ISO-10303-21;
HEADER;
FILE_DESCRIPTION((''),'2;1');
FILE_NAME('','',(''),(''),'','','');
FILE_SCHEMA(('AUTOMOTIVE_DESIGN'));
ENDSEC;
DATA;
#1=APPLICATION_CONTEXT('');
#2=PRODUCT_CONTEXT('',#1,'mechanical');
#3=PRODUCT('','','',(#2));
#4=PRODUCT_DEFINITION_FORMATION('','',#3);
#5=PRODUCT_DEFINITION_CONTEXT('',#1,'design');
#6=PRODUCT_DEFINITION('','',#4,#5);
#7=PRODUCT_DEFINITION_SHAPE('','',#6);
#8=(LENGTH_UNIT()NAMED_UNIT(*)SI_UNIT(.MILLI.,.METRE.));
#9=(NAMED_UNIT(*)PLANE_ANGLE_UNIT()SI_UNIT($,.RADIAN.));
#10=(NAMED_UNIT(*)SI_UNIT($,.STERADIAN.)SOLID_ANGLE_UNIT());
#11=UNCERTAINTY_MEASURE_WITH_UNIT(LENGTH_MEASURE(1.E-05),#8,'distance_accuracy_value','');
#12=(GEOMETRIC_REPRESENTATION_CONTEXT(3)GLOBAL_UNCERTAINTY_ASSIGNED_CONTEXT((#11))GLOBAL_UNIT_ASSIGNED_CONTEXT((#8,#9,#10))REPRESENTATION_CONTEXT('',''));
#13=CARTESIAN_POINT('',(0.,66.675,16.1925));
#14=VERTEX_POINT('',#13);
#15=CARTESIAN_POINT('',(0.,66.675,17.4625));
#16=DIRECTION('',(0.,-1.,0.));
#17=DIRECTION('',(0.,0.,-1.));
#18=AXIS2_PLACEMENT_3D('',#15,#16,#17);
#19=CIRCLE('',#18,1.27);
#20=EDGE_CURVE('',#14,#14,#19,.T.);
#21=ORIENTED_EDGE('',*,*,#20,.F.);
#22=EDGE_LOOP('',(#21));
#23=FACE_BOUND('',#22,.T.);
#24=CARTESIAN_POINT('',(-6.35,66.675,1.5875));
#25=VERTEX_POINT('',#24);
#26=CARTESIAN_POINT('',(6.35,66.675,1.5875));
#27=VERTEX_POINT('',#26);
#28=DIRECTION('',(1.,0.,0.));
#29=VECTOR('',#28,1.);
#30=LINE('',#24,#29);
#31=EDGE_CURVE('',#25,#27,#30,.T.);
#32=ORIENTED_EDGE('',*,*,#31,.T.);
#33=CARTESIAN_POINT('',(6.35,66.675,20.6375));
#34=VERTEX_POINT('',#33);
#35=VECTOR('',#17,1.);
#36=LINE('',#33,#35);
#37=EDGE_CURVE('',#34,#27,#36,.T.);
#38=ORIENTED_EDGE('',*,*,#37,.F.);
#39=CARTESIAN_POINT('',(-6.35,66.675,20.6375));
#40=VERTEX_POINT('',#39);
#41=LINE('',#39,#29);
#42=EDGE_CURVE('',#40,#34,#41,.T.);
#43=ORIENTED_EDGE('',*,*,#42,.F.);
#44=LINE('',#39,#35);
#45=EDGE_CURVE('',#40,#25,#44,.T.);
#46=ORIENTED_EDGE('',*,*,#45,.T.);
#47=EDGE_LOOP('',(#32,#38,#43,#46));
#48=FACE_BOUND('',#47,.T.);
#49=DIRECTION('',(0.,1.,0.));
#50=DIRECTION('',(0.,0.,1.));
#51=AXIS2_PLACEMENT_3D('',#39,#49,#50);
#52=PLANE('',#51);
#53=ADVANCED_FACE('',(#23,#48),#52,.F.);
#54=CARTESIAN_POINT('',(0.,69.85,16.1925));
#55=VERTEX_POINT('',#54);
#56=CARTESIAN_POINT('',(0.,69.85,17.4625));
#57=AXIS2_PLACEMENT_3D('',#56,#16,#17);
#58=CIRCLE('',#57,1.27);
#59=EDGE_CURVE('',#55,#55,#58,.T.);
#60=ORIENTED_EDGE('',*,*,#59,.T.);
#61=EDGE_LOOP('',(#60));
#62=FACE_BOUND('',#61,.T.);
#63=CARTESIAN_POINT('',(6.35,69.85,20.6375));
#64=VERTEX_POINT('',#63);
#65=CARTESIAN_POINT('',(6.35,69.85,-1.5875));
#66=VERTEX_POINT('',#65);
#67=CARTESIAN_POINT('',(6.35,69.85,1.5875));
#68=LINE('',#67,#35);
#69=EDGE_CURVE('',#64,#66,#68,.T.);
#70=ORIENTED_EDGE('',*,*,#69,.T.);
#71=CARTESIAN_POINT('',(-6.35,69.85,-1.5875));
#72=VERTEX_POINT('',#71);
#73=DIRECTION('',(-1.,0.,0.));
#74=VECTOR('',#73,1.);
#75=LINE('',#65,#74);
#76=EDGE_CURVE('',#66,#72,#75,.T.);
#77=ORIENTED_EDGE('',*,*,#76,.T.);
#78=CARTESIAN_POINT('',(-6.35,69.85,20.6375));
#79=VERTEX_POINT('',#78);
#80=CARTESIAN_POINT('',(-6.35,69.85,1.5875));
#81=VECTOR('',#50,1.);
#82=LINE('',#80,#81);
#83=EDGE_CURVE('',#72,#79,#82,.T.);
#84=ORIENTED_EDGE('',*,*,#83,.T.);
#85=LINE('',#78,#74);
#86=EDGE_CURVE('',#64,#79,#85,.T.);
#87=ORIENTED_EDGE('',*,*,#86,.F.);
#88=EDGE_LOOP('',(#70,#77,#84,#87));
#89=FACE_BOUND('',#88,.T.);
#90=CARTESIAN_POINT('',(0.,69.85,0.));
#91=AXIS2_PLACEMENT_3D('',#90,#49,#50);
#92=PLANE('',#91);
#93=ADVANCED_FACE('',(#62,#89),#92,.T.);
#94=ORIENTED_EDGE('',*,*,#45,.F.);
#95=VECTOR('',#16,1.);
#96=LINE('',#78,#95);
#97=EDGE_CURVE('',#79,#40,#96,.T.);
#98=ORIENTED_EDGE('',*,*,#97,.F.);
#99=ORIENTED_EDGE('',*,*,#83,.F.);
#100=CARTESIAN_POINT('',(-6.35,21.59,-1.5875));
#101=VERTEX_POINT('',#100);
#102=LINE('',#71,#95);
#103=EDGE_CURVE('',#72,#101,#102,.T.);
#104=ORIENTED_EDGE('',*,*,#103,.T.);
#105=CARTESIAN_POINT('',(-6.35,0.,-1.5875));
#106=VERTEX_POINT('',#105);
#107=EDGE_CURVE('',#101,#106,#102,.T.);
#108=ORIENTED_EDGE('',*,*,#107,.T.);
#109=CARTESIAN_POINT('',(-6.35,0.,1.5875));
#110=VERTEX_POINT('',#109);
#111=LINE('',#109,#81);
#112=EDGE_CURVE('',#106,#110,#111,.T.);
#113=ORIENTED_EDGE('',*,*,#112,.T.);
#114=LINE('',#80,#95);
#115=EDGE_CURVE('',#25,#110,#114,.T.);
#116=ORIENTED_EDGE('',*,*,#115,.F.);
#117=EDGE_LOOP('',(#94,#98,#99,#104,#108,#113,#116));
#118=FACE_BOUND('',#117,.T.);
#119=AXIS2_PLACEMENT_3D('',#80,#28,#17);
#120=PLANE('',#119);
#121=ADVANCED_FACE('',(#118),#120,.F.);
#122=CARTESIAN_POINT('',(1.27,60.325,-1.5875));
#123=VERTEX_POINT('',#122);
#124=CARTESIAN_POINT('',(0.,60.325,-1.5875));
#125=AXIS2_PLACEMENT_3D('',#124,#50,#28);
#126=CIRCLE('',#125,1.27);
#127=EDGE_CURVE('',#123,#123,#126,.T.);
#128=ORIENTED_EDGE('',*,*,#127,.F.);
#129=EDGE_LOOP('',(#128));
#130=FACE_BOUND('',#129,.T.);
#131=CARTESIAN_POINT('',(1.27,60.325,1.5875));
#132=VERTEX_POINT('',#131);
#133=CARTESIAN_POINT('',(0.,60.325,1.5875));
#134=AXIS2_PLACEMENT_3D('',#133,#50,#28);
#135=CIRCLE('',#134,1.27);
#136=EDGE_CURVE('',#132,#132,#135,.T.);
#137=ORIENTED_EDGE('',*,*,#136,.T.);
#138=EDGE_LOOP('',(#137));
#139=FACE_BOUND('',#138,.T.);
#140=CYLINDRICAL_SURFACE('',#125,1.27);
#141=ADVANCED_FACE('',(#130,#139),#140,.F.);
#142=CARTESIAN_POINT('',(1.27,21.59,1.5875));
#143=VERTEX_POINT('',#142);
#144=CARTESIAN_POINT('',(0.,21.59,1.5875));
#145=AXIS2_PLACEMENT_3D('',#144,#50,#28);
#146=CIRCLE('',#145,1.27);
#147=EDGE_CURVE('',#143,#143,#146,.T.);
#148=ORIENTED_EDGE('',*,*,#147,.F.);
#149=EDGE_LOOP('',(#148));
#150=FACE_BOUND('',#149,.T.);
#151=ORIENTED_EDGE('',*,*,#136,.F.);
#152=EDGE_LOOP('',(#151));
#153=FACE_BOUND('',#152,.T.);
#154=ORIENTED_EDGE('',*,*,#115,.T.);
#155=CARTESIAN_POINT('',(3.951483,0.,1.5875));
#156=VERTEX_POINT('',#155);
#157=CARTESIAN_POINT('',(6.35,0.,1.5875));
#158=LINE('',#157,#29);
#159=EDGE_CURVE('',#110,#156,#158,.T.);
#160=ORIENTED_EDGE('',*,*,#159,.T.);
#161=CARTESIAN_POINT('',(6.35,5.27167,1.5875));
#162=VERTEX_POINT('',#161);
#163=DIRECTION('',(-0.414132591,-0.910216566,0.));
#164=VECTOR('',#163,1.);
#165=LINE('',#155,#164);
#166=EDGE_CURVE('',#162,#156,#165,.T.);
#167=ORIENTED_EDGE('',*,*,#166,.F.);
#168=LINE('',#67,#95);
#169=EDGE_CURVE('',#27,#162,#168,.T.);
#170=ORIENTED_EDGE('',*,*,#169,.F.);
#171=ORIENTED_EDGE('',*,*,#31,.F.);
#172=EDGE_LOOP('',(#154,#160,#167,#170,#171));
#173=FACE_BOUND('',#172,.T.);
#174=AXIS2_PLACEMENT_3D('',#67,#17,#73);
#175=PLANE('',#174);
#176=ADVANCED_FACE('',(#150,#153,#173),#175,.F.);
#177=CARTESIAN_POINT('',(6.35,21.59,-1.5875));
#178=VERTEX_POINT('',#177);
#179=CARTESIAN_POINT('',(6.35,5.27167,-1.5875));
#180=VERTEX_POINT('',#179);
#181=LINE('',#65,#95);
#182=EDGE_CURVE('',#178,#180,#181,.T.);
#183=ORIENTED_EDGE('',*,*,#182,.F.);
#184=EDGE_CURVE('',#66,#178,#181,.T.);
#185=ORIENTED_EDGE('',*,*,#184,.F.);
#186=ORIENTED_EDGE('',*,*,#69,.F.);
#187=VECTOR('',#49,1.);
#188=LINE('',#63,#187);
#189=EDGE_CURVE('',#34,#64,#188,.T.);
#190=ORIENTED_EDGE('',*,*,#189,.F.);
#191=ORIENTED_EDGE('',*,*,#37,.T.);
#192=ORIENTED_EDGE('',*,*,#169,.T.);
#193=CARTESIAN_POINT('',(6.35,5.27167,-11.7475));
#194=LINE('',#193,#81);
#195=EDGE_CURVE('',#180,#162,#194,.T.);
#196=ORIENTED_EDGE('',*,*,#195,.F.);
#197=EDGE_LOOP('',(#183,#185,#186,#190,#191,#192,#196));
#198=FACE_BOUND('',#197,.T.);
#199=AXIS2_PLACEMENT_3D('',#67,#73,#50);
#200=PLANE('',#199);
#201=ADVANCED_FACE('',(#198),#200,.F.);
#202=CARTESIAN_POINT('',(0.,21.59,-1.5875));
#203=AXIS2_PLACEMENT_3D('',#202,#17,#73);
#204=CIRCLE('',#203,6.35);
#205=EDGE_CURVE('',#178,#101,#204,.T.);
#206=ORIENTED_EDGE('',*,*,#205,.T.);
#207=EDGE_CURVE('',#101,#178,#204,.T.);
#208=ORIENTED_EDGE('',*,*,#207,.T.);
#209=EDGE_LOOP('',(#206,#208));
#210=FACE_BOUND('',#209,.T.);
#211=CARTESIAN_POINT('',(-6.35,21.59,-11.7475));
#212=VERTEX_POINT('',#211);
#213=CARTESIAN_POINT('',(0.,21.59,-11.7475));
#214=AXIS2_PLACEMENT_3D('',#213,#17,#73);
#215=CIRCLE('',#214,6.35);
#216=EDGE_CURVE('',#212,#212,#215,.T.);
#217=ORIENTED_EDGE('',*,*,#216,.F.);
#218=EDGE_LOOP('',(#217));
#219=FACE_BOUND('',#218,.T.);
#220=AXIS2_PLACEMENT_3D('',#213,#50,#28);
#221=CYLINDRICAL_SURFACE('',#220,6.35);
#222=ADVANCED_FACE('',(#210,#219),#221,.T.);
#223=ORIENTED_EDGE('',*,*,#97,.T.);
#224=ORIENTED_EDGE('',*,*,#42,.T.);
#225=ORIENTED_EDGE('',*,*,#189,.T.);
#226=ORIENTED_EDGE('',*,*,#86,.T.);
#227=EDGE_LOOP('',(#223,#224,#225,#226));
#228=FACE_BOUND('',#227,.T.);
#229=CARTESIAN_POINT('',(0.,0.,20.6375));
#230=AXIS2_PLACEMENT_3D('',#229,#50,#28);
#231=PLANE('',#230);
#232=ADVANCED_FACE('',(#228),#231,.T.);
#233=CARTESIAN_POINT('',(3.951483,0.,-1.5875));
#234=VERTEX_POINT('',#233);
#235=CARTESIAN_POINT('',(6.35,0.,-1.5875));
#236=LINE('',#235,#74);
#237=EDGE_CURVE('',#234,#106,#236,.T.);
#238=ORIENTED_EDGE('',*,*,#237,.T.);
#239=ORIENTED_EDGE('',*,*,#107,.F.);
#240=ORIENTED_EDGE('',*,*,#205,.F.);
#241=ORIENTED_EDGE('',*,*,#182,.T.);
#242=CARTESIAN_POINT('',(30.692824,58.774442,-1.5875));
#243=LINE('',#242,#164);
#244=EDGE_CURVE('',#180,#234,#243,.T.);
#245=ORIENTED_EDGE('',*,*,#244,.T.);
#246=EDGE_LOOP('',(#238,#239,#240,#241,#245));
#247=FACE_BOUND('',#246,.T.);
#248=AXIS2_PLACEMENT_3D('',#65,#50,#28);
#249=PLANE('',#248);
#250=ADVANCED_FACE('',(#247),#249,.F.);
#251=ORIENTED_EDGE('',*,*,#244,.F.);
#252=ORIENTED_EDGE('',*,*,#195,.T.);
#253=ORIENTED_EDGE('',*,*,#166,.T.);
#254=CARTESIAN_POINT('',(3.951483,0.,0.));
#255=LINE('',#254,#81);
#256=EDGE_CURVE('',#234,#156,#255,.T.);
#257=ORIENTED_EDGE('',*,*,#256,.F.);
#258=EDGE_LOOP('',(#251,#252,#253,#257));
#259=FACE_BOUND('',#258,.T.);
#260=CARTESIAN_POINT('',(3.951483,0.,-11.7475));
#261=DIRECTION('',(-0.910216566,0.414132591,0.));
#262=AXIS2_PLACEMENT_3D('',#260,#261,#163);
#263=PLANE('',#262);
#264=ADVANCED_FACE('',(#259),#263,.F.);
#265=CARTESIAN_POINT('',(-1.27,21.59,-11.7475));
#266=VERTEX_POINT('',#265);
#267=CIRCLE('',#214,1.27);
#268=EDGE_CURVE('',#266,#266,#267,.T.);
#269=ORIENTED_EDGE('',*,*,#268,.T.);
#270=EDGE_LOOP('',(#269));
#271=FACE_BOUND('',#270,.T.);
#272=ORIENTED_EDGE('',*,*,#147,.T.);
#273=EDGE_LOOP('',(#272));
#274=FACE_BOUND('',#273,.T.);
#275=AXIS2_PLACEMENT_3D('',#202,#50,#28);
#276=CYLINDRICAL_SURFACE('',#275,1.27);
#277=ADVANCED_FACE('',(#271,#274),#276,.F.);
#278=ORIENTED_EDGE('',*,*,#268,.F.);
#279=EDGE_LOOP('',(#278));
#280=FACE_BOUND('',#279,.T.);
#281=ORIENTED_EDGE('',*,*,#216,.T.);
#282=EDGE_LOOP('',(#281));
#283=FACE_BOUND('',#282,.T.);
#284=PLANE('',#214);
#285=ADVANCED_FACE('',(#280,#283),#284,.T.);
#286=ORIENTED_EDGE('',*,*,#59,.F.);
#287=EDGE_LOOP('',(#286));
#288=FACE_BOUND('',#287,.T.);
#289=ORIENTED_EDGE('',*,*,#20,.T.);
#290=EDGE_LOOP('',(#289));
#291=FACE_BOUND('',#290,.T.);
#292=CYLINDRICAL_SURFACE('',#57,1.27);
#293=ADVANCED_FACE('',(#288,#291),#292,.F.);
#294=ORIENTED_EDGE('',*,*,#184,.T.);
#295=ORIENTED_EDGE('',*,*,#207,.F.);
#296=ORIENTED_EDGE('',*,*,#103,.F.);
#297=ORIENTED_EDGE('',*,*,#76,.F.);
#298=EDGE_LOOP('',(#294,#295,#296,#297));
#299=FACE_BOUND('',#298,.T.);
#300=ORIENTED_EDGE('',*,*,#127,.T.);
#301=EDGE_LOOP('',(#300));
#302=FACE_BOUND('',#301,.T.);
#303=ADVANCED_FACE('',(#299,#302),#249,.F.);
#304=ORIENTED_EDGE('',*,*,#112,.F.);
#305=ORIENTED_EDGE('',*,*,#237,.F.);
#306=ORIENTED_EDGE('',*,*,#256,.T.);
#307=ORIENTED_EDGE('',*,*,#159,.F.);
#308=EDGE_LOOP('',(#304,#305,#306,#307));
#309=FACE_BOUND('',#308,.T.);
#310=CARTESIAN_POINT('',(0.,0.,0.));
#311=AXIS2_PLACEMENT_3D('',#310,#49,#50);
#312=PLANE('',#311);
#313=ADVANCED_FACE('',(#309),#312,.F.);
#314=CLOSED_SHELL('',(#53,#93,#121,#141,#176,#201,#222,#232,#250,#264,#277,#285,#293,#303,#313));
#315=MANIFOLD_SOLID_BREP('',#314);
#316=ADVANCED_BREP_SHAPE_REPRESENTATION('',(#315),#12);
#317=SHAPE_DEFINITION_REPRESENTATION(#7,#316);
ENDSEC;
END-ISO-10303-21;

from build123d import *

# Parameters (mm, degrees)
SKETCH1_W           = 12.7
SKETCH1_H           = 3.175
BOSS_EXTRUDE1_DEPTH = 69.85
SKETCH2_W           = 12.7
SKETCH2_H           = 3.175
BOSS_EXTRUDE2_DEPTH = 19.05
SKETCH3_R           = 1.27
CUT_EXTRUDE1_DEPTH  = 71.084124673
SKETCH4_R           = 1.27
CUT_EXTRUDE2_DEPTH  = 73.679071953
SKETCH5_R           = 6.35
SKETCH5_R_2         = 1.27
BOSS_EXTRUDE3_DEPTH = 10.16
CUT_EXTRUDE3_DEPTH  = 73.679071953


with BuildPart() as part:
    # Sketch1 → Boss-Extrude1 (new body)
    with BuildSketch(Plane(origin=(0, 0, 0), x_dir=(1, 0, 0), z_dir=(0, 1, 0))):
        Rectangle(SKETCH1_W, SKETCH1_H)
    extrude(amount=BOSS_EXTRUDE1_DEPTH)

    # Sketch2 → Boss-Extrude2 (add)
    with BuildSketch(Plane.XY.offset(1.5875)):
        with Locations((0, 68.2625)):
            Rectangle(SKETCH2_W, SKETCH2_H)
    extrude(amount=BOSS_EXTRUDE2_DEPTH)

    # Sketch3 → Cut-Extrude1 (cut, through all)
    with BuildSketch(Plane.XZ.offset(-66.675)):
        with Locations(Location((0, 17.4625, 0), (0, 0, 270))):
            Circle(SKETCH3_R)
    extrude(amount=-CUT_EXTRUDE1_DEPTH, mode=Mode.SUBTRACT)

    # Sketch4 → Cut-Extrude2 (cut, through all)
    with BuildSketch(Plane.XY.offset(1.5875)):
        with Locations((0, 21.59)):
            Circle(SKETCH4_R)
        with Locations((0, 60.325)):
            Circle(SKETCH4_R)
    extrude(amount=-CUT_EXTRUDE2_DEPTH, mode=Mode.SUBTRACT)

    # Sketch5 → Boss-Extrude3 (add)
    with BuildSketch(Plane(origin=(0, 0, -1.5875), x_dir=(-1, 0, 0), z_dir=(0, 0, -1))):
        with Locations((0, 21.59)):
            Circle(SKETCH5_R)
        with Locations(Location((0, 21.59, 0), (0, 0, 180))):
            Circle(SKETCH5_R_2, mode=Mode.SUBTRACT)
    extrude(amount=BOSS_EXTRUDE3_DEPTH)

    # Sketch6 → Cut-Extrude3 (cut, through all)
    with BuildSketch(Plane.XY.offset(1.5875)):
        Polygon((3.951482723, 0), (6.35, 5.27166953), (6.35, 0), align=None)
    extrude(amount=-CUT_EXTRUDE3_DEPTH, mode=Mode.SUBTRACT)


solid = part.part
